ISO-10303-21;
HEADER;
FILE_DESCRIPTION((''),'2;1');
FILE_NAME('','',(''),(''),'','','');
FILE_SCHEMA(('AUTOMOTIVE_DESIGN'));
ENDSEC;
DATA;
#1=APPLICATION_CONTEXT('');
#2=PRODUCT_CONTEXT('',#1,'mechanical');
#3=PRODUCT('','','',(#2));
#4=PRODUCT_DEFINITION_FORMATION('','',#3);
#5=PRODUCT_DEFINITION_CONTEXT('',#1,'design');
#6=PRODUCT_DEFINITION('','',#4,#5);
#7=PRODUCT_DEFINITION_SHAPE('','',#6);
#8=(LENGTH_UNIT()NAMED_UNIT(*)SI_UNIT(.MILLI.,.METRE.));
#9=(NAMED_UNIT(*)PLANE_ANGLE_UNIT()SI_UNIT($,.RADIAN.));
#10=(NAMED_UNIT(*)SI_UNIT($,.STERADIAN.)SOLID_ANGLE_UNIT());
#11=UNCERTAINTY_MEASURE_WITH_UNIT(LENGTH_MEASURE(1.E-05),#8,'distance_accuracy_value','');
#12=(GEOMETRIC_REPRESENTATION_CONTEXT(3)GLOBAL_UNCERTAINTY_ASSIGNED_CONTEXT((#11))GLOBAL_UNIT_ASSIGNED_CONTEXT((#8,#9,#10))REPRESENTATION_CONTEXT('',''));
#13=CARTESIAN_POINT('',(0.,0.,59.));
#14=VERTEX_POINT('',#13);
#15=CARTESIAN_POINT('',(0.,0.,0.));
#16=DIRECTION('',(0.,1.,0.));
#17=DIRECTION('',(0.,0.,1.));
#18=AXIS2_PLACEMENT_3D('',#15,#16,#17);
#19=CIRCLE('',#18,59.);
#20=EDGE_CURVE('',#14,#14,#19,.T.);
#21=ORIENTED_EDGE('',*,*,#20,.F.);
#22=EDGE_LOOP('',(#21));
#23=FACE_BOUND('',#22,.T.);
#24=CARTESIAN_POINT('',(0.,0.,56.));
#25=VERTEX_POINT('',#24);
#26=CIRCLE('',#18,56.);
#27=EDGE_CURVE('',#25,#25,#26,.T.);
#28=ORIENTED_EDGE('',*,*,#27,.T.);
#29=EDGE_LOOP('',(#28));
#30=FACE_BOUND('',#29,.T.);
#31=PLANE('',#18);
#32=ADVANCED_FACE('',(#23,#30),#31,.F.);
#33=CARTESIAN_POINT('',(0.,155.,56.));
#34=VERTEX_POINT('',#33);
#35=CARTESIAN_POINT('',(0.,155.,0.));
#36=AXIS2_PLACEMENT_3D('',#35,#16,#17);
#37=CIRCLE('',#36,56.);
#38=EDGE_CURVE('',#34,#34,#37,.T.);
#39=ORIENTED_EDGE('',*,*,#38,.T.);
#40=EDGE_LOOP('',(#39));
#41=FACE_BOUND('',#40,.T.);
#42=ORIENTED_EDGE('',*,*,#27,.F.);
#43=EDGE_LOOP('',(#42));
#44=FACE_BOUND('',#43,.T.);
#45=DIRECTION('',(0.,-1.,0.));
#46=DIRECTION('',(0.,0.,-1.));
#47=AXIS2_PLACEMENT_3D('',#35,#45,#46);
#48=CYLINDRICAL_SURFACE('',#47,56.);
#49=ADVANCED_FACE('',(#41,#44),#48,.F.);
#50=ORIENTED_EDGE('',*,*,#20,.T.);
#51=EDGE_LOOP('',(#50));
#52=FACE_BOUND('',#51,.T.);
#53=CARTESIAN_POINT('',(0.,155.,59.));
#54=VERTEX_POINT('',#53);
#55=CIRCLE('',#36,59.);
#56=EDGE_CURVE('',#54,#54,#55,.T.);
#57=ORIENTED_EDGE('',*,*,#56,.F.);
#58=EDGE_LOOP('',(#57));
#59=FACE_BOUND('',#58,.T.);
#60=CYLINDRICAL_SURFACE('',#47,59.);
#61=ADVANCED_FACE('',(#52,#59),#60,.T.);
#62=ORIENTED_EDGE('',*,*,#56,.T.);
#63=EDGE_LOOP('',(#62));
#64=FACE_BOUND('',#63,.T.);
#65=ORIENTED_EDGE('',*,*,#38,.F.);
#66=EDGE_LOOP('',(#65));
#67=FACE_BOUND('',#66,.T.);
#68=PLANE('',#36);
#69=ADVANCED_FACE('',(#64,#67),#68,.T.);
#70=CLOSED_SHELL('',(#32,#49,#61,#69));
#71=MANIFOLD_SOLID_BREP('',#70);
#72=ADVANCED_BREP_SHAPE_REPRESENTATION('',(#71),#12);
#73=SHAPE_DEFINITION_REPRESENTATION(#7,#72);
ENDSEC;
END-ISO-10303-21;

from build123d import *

# Parameters (mm, degrees)
SKETCH2_R           = 59
SKETCH2_R_2         = 56
BOSS_EXTRUDE2_DEPTH = 155


with BuildPart() as part:
    # Sketch2 → Boss-Extrude2 (new body)
    with BuildSketch(Plane(origin=(0, 0, 0), x_dir=(1, 0, 0), z_dir=(0, 1, 0))):
        with Locations(Location((0, 0, 0), (0, 0, 270))):
            Circle(SKETCH2_R)
        with Locations(Location((0, 0, 0), (0, 0, 270))):
            Circle(SKETCH2_R_2, mode=Mode.SUBTRACT)
    extrude(amount=BOSS_EXTRUDE2_DEPTH)


solid = part.part
